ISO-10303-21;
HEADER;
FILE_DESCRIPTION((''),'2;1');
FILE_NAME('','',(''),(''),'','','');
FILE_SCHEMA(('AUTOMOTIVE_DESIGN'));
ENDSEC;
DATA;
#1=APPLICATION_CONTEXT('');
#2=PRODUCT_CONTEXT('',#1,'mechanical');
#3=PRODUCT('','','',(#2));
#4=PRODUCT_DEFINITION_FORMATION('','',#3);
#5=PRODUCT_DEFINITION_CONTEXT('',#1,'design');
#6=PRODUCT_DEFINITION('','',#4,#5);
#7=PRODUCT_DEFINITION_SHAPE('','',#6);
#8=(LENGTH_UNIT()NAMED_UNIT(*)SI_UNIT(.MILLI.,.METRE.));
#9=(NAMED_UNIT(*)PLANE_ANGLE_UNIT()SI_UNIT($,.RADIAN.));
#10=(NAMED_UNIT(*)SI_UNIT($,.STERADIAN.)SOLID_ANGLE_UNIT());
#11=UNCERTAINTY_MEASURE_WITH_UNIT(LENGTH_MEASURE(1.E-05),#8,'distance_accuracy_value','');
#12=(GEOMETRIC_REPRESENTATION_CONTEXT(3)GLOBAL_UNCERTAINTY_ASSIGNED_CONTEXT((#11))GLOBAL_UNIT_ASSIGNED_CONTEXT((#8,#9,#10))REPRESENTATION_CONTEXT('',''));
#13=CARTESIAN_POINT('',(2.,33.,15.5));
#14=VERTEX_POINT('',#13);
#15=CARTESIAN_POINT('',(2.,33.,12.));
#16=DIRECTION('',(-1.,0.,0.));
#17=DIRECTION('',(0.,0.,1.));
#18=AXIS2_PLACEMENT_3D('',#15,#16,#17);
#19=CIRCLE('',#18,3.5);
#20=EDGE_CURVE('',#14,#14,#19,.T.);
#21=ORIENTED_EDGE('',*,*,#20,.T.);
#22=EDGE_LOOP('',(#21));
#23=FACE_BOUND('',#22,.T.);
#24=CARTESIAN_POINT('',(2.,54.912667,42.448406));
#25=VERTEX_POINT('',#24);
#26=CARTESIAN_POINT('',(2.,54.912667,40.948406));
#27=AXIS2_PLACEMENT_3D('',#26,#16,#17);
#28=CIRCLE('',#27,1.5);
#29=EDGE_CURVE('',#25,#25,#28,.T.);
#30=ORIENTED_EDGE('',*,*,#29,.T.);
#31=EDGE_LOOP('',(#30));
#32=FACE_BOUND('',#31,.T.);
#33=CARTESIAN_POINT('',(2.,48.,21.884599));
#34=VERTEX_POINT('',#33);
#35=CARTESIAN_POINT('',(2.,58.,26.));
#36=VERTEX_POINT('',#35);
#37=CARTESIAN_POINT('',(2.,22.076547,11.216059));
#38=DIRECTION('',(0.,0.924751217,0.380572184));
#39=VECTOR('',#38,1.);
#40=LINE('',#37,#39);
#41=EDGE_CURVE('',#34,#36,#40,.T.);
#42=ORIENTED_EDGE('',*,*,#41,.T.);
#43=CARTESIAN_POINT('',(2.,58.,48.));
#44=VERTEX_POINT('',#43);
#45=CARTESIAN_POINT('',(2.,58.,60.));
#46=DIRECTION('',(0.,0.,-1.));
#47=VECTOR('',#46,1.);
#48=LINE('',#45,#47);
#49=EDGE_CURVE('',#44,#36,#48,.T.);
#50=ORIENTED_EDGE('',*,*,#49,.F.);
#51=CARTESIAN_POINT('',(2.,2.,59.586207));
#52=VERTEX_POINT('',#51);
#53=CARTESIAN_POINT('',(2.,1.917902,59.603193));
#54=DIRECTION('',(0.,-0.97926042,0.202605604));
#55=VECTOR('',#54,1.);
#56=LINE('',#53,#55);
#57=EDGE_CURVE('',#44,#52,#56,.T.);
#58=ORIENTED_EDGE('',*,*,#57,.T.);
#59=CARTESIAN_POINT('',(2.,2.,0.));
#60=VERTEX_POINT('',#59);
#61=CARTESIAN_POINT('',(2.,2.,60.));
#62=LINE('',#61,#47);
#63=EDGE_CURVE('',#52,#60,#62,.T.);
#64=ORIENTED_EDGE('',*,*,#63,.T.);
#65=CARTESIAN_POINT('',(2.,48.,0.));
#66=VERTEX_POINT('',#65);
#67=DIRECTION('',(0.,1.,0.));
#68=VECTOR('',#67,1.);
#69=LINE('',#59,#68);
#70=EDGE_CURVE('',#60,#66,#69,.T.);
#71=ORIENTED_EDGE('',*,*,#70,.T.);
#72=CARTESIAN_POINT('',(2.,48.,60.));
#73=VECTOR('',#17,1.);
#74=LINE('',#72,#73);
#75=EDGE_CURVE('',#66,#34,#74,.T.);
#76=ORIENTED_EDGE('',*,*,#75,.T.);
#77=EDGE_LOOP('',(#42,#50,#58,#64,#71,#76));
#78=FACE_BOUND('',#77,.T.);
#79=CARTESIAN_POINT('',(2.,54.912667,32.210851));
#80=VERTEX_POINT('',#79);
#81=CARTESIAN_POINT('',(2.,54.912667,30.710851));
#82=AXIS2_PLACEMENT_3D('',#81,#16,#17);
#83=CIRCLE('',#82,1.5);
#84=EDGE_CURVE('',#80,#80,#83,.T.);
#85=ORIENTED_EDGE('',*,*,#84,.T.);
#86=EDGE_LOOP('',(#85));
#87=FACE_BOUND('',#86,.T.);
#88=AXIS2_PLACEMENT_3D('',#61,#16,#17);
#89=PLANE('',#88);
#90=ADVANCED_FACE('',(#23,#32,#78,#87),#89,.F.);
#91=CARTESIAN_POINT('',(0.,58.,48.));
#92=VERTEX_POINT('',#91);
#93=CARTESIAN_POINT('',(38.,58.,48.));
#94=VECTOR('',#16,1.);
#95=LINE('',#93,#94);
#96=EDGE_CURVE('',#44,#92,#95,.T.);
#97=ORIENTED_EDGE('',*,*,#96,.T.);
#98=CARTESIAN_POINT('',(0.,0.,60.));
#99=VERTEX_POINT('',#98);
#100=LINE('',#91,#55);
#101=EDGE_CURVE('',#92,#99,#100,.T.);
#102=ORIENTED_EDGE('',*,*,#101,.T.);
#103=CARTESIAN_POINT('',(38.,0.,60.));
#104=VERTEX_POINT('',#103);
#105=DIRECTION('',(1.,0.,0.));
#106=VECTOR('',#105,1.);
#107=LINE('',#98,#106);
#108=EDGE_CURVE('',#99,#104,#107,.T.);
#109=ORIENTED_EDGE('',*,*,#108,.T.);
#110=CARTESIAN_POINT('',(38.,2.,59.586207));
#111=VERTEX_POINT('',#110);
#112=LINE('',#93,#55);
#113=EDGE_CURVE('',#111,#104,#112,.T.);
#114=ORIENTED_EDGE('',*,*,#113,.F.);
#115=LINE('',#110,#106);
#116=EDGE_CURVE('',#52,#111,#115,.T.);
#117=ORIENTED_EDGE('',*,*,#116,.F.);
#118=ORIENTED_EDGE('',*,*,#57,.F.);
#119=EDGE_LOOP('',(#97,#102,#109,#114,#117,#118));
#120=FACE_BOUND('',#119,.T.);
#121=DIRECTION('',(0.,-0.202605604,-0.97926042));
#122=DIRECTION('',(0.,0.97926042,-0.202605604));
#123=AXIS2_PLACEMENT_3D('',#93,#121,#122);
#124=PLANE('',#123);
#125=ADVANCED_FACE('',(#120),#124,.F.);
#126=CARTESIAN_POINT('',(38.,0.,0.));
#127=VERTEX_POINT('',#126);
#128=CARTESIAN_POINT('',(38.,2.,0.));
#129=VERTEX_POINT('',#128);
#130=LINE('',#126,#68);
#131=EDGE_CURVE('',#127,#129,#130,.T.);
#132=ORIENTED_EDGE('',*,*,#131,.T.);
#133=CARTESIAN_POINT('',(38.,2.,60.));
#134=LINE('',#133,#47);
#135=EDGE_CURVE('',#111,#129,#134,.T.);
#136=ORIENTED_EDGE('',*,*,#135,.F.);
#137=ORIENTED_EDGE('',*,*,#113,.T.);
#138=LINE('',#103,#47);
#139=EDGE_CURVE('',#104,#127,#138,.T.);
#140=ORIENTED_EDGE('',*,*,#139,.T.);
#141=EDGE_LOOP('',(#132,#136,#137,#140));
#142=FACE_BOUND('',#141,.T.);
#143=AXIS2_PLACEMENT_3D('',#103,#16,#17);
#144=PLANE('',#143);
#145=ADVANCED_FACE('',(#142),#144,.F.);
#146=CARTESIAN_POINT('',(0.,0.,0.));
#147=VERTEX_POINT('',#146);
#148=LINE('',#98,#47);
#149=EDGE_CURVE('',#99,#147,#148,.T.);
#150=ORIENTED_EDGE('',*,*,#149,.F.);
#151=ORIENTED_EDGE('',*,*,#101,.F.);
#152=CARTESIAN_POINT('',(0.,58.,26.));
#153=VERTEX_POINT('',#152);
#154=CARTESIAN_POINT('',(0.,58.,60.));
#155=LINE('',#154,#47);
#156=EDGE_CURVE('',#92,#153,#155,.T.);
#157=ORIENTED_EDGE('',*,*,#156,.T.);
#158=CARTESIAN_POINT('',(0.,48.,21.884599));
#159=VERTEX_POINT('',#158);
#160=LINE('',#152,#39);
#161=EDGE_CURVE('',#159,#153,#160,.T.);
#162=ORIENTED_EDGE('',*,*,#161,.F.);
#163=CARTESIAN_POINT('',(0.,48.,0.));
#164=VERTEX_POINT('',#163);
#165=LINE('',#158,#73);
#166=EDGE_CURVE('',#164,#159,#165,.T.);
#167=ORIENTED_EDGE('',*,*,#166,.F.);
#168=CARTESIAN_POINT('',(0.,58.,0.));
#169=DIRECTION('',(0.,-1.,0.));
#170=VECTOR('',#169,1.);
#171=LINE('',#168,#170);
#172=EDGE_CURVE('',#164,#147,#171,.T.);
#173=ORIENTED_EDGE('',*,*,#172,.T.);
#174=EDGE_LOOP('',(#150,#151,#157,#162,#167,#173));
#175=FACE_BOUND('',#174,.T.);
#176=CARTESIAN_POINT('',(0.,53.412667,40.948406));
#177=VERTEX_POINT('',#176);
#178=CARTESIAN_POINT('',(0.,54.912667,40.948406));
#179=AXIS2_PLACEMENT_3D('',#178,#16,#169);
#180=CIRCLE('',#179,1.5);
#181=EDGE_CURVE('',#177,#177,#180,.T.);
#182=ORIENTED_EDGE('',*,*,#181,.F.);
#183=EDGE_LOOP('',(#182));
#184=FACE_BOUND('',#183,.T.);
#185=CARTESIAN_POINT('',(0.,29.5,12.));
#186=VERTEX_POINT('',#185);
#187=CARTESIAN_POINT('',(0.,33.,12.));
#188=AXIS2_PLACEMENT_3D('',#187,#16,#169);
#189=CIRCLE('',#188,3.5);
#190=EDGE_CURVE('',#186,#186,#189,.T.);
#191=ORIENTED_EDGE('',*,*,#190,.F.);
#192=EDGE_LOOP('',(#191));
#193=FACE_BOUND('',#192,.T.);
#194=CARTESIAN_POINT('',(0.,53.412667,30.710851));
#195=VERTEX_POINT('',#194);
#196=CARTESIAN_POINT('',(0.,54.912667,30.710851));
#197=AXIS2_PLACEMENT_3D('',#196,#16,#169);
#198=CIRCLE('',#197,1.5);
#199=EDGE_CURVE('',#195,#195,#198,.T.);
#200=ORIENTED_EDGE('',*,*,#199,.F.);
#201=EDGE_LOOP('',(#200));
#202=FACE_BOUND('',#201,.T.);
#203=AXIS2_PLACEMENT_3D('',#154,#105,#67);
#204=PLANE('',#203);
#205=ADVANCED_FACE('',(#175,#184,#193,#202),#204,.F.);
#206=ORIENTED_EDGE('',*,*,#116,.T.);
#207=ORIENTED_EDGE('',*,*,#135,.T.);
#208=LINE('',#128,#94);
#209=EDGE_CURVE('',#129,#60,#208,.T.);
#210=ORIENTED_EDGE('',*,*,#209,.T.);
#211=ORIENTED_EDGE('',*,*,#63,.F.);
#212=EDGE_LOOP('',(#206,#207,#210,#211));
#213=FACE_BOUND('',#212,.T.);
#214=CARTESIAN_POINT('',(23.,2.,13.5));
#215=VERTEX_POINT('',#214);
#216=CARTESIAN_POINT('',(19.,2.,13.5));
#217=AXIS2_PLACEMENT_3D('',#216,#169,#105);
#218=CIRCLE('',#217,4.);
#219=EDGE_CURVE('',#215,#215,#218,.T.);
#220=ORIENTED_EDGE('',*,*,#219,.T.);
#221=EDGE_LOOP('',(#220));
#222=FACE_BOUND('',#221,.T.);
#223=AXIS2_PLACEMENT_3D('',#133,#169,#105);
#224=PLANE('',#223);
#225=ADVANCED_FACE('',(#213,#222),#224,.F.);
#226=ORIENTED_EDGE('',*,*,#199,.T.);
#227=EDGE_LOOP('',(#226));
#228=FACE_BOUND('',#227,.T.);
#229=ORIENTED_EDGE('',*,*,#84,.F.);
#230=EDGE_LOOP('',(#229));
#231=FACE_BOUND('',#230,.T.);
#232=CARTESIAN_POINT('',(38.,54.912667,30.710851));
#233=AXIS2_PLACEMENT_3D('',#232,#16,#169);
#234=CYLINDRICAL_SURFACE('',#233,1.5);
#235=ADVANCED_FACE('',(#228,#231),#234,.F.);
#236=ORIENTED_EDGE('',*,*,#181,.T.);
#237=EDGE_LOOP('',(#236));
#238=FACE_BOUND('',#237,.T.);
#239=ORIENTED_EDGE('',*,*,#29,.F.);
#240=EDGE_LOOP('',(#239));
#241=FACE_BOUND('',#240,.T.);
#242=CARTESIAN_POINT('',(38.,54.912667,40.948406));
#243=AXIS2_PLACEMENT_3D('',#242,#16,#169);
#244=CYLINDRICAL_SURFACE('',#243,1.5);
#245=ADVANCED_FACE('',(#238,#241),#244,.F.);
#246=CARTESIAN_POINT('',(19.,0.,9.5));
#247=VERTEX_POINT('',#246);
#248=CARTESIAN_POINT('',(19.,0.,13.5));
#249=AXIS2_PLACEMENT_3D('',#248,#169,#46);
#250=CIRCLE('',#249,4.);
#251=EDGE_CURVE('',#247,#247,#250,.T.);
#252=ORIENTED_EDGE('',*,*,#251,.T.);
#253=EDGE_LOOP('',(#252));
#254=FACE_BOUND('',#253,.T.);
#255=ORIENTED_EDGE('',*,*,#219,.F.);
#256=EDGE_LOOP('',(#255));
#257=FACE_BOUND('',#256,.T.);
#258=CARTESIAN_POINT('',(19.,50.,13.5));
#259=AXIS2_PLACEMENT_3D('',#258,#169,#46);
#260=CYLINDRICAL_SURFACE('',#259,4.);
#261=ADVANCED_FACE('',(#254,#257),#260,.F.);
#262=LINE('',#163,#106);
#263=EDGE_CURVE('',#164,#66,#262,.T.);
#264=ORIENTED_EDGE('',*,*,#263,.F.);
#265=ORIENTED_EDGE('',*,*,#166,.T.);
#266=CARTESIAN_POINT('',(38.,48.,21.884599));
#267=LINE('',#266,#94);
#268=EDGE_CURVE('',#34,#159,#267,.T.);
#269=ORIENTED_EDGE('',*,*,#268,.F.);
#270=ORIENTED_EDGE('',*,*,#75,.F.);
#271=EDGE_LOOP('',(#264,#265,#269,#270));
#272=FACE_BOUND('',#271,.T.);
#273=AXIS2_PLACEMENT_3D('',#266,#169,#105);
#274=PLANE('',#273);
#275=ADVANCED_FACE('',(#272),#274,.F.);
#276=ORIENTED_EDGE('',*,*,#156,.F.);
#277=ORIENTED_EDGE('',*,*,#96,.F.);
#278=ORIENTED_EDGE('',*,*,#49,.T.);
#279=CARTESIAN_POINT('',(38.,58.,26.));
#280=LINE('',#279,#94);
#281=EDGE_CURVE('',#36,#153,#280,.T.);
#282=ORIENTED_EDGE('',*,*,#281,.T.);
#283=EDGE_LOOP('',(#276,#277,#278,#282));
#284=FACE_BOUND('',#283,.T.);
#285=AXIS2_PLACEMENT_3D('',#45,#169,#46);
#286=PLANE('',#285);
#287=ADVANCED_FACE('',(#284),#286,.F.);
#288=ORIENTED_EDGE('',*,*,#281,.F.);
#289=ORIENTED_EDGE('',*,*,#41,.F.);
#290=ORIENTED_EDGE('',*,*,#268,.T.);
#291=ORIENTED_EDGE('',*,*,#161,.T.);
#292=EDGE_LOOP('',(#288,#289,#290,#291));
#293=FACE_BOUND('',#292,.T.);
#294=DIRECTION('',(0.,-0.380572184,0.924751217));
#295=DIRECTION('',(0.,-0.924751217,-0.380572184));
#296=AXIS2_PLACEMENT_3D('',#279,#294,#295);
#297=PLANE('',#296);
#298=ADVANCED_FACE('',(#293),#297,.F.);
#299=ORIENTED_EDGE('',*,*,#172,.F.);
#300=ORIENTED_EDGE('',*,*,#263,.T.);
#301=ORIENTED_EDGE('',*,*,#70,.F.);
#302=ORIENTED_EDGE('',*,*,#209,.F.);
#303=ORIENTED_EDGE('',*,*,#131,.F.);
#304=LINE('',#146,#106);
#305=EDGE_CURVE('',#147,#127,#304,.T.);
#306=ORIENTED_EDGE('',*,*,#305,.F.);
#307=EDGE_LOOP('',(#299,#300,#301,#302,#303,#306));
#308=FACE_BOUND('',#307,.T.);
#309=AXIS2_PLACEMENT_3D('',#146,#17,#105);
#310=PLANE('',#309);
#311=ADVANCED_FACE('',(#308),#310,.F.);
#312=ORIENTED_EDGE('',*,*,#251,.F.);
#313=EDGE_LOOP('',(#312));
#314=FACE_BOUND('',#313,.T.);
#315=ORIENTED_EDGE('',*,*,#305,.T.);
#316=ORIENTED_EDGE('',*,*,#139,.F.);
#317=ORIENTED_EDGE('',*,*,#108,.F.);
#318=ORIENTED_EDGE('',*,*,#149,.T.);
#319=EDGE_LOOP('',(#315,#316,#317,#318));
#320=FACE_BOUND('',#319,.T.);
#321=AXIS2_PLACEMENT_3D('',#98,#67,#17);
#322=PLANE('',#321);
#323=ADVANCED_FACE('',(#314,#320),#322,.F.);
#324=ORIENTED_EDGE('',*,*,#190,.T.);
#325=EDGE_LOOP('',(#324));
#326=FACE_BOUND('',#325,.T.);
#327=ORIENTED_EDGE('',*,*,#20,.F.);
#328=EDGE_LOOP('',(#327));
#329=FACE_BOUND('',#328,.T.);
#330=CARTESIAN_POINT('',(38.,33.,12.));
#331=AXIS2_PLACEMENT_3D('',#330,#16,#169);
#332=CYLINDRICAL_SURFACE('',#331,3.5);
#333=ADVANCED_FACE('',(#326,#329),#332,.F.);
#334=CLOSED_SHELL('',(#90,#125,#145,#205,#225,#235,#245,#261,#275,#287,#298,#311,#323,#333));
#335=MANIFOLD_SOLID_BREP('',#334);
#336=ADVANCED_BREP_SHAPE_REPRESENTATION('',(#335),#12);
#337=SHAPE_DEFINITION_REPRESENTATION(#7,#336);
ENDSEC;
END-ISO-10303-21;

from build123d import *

# Parameters (mm, degrees)
EXTRUDE_1_DEPTH     = 60
SKETCH_2_R          = 1.5
SKETCH_2_R_2        = 3.5
CUT_EXTRUDE_1_DEPTH = 39
SKETCH_3_R          = 4
CUT_EXTRUDE_2_DEPTH = 50


with BuildPart() as part:
    # 草图1 → 凸台-拉伸1 (new body)
    with BuildSketch(Plane.XY):
        Polygon((0, 58), (0, 0), (38, 0), (38, 2), (2, 2), (2, 58), align=None)
    extrude(amount=EXTRUDE_1_DEPTH)

    # 草图2 → 切除-拉伸1 (cut, through all)
    with BuildSketch(Plane.ZY):
        with Locations((30.710851292, 54.912666943)):
            Circle(SKETCH_2_R)
        with Locations((40.948406341, 54.912666943)):
            Circle(SKETCH_2_R)
        with Locations((12, 33)):
            Circle(SKETCH_2_R_2)
        Polygon((60, 0), (60, 58), (48, 58), align=None)
        Polygon((26, 58), (21.884599262, 48), (0, 48), (0, 58), align=None)
    extrude(amount=-CUT_EXTRUDE_1_DEPTH, mode=Mode.SUBTRACT)

    # 草图3 → 切除-拉伸2 (cut)
    with BuildSketch(Plane.XZ):
        with Locations((19, 13.5)):
            Circle(SKETCH_3_R)
    extrude(amount=-CUT_EXTRUDE_2_DEPTH, mode=Mode.SUBTRACT)


solid = part.part
